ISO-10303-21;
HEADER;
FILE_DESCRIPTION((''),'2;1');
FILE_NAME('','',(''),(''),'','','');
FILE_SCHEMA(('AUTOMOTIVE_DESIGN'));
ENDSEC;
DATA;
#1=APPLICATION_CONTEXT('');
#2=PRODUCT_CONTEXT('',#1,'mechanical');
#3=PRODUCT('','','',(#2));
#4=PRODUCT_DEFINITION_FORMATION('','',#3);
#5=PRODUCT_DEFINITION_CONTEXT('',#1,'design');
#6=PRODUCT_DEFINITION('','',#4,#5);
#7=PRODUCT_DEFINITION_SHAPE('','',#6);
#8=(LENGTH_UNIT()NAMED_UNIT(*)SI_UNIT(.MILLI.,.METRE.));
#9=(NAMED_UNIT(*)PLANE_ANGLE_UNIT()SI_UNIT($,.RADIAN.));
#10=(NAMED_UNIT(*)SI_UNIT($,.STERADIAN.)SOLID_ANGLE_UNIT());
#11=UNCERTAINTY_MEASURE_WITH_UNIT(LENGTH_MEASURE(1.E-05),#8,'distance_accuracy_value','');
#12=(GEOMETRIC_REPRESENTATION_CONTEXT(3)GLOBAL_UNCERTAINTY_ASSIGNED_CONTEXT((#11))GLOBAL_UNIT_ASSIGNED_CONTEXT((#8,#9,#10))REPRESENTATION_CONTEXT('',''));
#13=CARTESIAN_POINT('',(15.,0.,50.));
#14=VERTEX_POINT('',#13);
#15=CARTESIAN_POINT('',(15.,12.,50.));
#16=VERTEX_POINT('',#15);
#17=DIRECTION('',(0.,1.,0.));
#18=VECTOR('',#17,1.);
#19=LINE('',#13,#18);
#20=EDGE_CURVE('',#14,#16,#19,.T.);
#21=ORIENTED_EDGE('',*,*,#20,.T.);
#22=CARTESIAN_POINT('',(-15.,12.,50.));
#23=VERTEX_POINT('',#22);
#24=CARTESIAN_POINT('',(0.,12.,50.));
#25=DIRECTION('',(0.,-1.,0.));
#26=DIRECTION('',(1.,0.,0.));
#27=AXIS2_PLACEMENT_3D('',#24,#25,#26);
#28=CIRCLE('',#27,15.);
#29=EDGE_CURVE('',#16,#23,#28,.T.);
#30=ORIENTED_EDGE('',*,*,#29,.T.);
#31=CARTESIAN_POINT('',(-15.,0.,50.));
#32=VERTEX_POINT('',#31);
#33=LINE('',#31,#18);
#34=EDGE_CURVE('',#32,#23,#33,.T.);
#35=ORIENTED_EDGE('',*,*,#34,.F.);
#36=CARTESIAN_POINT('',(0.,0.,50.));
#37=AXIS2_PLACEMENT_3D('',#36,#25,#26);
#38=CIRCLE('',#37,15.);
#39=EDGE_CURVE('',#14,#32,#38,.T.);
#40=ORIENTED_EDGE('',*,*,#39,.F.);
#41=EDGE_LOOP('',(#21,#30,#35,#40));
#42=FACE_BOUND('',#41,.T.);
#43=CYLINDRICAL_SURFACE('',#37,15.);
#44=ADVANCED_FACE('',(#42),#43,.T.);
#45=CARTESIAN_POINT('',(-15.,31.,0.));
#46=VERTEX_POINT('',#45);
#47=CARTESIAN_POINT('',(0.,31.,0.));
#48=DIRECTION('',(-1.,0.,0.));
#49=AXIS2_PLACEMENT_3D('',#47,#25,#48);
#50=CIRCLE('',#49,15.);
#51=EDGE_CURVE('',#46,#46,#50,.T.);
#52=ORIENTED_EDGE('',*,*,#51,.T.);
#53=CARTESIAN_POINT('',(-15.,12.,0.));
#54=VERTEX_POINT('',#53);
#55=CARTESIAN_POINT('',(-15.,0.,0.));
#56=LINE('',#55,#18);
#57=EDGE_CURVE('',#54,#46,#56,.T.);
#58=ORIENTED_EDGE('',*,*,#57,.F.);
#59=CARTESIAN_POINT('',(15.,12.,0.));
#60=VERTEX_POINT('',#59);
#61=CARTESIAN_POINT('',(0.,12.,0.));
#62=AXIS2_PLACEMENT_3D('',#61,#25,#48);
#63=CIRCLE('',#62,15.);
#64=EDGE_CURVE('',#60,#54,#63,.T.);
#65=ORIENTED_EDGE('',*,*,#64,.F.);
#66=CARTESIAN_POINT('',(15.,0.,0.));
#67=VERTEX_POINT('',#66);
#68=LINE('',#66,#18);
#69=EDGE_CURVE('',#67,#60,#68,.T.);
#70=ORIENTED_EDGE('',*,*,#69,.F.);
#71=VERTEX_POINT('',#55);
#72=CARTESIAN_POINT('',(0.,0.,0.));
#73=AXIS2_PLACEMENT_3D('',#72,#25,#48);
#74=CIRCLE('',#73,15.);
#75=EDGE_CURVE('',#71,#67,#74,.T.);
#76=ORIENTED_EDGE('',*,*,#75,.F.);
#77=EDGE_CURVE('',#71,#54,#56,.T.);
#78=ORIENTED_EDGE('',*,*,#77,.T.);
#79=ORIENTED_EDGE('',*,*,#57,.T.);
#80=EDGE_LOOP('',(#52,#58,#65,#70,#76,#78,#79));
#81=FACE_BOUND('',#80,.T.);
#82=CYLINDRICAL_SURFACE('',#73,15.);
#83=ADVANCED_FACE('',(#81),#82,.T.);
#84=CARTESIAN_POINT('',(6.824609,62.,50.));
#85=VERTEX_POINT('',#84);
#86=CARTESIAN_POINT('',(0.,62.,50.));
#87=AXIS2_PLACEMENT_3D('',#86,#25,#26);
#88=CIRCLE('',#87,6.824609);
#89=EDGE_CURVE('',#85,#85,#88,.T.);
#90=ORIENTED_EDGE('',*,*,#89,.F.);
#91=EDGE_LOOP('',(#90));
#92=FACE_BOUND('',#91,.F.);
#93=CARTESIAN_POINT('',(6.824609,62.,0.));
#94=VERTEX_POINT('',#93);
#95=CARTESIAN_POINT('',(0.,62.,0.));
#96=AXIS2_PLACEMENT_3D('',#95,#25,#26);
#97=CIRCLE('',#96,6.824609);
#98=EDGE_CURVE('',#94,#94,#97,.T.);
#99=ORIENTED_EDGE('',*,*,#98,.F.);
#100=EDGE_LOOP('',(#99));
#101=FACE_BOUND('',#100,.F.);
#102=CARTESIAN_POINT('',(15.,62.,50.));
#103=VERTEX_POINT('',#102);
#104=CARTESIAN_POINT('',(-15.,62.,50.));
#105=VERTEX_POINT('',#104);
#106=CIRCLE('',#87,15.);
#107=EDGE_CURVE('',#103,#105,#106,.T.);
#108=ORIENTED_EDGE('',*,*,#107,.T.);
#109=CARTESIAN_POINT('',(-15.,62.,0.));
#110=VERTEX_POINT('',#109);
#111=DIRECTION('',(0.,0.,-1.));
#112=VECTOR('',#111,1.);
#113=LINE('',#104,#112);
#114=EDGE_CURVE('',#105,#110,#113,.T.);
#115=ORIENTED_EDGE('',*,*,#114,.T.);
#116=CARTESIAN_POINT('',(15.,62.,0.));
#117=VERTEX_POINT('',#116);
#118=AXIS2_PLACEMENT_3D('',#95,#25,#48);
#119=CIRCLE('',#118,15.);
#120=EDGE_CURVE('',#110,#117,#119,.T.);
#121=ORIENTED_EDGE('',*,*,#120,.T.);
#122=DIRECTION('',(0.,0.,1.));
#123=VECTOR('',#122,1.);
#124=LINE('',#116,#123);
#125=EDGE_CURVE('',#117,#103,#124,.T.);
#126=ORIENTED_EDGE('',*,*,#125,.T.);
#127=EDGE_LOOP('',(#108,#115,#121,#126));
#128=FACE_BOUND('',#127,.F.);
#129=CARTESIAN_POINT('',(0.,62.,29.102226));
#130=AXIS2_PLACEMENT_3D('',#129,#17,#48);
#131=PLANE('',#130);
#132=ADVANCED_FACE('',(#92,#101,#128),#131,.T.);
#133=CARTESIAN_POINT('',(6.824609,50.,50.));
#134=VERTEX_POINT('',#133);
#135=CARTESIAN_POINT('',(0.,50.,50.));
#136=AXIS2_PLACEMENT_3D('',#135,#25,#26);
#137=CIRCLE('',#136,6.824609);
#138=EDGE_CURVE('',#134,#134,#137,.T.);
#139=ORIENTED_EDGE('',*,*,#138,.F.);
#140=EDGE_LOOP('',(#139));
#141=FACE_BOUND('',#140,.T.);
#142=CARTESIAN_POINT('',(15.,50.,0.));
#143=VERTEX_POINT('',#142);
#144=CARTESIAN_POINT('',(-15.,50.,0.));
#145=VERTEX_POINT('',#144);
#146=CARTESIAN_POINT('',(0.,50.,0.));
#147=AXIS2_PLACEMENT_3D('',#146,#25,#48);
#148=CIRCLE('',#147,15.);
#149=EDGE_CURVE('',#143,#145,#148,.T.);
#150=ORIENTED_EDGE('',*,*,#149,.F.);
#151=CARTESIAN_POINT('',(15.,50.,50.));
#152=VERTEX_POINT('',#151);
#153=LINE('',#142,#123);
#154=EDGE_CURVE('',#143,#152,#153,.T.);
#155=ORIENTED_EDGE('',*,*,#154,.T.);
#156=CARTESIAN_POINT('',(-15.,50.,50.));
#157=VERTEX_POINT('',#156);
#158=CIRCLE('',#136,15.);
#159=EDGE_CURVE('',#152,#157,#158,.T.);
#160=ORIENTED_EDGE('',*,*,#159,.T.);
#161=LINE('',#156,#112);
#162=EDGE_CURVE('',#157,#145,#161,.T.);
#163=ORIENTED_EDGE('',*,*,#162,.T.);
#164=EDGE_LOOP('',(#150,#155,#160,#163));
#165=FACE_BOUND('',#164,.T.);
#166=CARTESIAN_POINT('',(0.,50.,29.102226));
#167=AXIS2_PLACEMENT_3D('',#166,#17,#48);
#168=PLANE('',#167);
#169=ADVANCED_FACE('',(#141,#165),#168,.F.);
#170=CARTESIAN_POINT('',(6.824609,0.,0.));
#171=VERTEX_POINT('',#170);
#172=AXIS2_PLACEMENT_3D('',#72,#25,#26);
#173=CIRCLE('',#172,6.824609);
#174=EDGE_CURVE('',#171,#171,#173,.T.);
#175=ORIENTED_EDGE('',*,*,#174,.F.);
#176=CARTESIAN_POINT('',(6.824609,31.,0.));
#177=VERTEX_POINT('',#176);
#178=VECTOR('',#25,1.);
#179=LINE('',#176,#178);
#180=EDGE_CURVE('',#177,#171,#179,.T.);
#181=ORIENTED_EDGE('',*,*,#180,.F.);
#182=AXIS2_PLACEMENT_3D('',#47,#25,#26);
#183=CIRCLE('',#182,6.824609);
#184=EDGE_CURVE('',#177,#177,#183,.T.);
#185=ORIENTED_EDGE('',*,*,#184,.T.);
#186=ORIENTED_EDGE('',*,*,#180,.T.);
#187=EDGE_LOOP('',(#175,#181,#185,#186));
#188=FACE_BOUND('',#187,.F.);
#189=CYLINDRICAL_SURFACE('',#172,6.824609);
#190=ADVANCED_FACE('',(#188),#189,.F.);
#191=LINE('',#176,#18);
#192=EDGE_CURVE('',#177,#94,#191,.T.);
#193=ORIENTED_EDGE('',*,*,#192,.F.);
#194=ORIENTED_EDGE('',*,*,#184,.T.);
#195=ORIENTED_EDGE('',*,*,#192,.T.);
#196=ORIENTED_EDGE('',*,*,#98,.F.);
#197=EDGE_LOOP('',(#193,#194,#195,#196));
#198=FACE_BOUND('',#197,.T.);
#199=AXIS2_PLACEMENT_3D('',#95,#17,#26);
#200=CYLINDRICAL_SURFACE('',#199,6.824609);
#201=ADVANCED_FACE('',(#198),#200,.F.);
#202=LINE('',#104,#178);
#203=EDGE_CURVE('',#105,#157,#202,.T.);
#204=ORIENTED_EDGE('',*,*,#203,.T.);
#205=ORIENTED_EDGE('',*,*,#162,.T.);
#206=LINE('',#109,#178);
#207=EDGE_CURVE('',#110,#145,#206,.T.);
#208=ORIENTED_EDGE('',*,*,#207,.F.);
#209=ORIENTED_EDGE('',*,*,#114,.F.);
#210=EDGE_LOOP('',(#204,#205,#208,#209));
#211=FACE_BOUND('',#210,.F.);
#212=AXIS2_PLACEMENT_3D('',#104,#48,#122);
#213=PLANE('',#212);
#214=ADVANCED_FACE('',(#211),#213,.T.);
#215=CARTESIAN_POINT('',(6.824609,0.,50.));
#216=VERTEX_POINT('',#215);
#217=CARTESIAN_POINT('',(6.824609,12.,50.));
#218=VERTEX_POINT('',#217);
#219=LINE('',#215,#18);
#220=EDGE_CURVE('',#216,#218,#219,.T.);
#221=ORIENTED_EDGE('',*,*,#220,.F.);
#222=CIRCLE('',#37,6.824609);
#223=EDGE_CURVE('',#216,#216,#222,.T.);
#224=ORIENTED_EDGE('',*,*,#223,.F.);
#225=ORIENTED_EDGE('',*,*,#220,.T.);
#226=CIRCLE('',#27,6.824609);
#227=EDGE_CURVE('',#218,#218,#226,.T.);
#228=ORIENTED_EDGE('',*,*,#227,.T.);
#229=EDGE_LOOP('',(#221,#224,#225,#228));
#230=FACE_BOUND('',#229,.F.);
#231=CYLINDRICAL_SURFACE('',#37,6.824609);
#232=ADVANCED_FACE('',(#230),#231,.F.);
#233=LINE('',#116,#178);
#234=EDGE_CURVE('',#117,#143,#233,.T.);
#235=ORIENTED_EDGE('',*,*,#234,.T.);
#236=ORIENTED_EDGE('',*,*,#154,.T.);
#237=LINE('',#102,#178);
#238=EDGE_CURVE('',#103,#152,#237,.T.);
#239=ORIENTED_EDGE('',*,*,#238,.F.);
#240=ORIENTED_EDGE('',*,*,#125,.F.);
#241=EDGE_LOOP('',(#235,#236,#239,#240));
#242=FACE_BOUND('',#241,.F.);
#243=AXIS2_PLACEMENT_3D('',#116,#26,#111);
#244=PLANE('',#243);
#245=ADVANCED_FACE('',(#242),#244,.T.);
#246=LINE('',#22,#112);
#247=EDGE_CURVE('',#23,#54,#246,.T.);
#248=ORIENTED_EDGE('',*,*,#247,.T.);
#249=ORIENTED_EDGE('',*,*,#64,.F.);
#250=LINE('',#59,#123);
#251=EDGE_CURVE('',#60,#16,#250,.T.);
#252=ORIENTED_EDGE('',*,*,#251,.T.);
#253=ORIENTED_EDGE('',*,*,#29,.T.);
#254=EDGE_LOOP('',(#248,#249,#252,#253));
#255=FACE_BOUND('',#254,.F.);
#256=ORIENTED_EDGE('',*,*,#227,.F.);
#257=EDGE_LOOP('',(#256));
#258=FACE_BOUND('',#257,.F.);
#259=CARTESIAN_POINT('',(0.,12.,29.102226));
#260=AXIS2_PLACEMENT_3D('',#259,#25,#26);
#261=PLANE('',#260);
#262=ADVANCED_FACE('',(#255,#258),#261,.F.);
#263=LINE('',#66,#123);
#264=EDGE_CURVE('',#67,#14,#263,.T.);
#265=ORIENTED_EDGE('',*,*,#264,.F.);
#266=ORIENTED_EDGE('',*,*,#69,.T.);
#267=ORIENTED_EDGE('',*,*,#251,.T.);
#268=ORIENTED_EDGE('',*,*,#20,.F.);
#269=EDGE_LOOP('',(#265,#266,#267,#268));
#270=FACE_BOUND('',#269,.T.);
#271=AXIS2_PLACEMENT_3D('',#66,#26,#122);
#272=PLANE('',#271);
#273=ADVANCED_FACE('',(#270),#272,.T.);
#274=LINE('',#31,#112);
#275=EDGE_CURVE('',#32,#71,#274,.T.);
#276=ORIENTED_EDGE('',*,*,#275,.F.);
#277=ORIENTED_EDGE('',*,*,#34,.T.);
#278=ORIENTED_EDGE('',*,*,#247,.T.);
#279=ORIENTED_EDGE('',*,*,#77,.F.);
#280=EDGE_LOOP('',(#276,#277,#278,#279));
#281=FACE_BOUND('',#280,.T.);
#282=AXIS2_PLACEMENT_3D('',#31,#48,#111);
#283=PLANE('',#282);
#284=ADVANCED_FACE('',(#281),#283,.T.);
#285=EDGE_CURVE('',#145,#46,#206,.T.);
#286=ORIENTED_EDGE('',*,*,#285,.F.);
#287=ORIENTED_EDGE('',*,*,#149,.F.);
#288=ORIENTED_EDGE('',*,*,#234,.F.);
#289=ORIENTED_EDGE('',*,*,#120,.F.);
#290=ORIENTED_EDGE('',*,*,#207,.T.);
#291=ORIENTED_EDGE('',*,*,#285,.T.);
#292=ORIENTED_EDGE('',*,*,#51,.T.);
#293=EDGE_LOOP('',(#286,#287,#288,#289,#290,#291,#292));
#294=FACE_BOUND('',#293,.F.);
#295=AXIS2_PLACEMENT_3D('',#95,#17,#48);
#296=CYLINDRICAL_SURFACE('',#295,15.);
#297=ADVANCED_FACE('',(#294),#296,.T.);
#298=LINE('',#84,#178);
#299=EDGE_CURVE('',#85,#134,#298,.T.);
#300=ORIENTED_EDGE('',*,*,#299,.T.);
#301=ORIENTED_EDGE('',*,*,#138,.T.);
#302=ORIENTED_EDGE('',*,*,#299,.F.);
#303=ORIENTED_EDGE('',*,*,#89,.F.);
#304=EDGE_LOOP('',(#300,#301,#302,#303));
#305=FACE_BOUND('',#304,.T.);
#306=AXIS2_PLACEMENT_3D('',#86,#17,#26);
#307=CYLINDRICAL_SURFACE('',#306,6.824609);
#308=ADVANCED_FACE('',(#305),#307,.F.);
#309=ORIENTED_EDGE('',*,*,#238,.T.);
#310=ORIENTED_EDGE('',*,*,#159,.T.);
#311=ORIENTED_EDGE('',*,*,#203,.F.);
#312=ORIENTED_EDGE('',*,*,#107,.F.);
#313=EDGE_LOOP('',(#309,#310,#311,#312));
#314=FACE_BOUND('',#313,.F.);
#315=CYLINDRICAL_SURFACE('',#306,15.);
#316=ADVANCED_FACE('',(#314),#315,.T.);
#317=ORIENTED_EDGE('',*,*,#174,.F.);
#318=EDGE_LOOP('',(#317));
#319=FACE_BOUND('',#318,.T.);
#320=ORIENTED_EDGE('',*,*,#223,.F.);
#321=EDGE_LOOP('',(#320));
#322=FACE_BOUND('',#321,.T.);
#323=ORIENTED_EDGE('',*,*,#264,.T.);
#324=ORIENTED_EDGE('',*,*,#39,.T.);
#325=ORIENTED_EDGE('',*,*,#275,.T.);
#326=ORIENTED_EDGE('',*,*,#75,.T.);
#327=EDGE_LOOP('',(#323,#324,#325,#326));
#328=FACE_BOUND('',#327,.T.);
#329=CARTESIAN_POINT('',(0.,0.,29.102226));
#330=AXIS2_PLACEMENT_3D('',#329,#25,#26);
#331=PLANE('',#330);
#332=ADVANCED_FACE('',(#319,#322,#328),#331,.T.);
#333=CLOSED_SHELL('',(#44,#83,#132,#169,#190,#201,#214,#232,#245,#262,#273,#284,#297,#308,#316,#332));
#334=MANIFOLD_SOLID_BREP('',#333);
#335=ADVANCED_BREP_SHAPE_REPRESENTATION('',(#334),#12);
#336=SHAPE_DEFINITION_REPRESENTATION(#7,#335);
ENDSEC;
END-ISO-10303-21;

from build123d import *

# Parameters (mm, degrees)
F0_R     = 6.824609
F1_DEPTH = 12
F2_DEPTH = 31


with BuildPart() as f1:
    # F0 (on Front) → F1 (new body)
    with BuildSketch(Plane.XZ):
        with BuildLine():
            ThreePointArc((15, 50), (0, 65), (-15, 50))
            Line((-15, 50), (-15, 0))
            ThreePointArc((-15, 0), (0, 15), (15, 0))
            Line((15, 0), (15, 50))
        make_face()
        with Locations((0, 50)):
            Circle(F0_R, mode=Mode.SUBTRACT)
        with BuildLine():
            ThreePointArc((15, 0), (0, 15), (-15, 0))
            ThreePointArc((-15, 0), (0, -15), (15, 0))
        make_face()
        Circle(F0_R, mode=Mode.SUBTRACT)
    extrude(amount=-F1_DEPTH)

    # F0 (on Front) → F2 (join)
    with BuildSketch(Plane.XZ):
        with BuildLine():
            ThreePointArc((15, 0), (0, 15), (-15, 0))
            ThreePointArc((-15, 0), (0, -15), (15, 0))
        make_face()
        Circle(F0_R, mode=Mode.SUBTRACT)
    extrude(amount=-F2_DEPTH)

    # F3: F1 across face


with BuildPart() as f1_1:
    add(f1.part)
    add(f1.part.mirror(Plane(origin=(0, 31, 0), x_dir=(1, 0, 0), z_dir=(0, 1, 0))))


solid = f1_1.part
